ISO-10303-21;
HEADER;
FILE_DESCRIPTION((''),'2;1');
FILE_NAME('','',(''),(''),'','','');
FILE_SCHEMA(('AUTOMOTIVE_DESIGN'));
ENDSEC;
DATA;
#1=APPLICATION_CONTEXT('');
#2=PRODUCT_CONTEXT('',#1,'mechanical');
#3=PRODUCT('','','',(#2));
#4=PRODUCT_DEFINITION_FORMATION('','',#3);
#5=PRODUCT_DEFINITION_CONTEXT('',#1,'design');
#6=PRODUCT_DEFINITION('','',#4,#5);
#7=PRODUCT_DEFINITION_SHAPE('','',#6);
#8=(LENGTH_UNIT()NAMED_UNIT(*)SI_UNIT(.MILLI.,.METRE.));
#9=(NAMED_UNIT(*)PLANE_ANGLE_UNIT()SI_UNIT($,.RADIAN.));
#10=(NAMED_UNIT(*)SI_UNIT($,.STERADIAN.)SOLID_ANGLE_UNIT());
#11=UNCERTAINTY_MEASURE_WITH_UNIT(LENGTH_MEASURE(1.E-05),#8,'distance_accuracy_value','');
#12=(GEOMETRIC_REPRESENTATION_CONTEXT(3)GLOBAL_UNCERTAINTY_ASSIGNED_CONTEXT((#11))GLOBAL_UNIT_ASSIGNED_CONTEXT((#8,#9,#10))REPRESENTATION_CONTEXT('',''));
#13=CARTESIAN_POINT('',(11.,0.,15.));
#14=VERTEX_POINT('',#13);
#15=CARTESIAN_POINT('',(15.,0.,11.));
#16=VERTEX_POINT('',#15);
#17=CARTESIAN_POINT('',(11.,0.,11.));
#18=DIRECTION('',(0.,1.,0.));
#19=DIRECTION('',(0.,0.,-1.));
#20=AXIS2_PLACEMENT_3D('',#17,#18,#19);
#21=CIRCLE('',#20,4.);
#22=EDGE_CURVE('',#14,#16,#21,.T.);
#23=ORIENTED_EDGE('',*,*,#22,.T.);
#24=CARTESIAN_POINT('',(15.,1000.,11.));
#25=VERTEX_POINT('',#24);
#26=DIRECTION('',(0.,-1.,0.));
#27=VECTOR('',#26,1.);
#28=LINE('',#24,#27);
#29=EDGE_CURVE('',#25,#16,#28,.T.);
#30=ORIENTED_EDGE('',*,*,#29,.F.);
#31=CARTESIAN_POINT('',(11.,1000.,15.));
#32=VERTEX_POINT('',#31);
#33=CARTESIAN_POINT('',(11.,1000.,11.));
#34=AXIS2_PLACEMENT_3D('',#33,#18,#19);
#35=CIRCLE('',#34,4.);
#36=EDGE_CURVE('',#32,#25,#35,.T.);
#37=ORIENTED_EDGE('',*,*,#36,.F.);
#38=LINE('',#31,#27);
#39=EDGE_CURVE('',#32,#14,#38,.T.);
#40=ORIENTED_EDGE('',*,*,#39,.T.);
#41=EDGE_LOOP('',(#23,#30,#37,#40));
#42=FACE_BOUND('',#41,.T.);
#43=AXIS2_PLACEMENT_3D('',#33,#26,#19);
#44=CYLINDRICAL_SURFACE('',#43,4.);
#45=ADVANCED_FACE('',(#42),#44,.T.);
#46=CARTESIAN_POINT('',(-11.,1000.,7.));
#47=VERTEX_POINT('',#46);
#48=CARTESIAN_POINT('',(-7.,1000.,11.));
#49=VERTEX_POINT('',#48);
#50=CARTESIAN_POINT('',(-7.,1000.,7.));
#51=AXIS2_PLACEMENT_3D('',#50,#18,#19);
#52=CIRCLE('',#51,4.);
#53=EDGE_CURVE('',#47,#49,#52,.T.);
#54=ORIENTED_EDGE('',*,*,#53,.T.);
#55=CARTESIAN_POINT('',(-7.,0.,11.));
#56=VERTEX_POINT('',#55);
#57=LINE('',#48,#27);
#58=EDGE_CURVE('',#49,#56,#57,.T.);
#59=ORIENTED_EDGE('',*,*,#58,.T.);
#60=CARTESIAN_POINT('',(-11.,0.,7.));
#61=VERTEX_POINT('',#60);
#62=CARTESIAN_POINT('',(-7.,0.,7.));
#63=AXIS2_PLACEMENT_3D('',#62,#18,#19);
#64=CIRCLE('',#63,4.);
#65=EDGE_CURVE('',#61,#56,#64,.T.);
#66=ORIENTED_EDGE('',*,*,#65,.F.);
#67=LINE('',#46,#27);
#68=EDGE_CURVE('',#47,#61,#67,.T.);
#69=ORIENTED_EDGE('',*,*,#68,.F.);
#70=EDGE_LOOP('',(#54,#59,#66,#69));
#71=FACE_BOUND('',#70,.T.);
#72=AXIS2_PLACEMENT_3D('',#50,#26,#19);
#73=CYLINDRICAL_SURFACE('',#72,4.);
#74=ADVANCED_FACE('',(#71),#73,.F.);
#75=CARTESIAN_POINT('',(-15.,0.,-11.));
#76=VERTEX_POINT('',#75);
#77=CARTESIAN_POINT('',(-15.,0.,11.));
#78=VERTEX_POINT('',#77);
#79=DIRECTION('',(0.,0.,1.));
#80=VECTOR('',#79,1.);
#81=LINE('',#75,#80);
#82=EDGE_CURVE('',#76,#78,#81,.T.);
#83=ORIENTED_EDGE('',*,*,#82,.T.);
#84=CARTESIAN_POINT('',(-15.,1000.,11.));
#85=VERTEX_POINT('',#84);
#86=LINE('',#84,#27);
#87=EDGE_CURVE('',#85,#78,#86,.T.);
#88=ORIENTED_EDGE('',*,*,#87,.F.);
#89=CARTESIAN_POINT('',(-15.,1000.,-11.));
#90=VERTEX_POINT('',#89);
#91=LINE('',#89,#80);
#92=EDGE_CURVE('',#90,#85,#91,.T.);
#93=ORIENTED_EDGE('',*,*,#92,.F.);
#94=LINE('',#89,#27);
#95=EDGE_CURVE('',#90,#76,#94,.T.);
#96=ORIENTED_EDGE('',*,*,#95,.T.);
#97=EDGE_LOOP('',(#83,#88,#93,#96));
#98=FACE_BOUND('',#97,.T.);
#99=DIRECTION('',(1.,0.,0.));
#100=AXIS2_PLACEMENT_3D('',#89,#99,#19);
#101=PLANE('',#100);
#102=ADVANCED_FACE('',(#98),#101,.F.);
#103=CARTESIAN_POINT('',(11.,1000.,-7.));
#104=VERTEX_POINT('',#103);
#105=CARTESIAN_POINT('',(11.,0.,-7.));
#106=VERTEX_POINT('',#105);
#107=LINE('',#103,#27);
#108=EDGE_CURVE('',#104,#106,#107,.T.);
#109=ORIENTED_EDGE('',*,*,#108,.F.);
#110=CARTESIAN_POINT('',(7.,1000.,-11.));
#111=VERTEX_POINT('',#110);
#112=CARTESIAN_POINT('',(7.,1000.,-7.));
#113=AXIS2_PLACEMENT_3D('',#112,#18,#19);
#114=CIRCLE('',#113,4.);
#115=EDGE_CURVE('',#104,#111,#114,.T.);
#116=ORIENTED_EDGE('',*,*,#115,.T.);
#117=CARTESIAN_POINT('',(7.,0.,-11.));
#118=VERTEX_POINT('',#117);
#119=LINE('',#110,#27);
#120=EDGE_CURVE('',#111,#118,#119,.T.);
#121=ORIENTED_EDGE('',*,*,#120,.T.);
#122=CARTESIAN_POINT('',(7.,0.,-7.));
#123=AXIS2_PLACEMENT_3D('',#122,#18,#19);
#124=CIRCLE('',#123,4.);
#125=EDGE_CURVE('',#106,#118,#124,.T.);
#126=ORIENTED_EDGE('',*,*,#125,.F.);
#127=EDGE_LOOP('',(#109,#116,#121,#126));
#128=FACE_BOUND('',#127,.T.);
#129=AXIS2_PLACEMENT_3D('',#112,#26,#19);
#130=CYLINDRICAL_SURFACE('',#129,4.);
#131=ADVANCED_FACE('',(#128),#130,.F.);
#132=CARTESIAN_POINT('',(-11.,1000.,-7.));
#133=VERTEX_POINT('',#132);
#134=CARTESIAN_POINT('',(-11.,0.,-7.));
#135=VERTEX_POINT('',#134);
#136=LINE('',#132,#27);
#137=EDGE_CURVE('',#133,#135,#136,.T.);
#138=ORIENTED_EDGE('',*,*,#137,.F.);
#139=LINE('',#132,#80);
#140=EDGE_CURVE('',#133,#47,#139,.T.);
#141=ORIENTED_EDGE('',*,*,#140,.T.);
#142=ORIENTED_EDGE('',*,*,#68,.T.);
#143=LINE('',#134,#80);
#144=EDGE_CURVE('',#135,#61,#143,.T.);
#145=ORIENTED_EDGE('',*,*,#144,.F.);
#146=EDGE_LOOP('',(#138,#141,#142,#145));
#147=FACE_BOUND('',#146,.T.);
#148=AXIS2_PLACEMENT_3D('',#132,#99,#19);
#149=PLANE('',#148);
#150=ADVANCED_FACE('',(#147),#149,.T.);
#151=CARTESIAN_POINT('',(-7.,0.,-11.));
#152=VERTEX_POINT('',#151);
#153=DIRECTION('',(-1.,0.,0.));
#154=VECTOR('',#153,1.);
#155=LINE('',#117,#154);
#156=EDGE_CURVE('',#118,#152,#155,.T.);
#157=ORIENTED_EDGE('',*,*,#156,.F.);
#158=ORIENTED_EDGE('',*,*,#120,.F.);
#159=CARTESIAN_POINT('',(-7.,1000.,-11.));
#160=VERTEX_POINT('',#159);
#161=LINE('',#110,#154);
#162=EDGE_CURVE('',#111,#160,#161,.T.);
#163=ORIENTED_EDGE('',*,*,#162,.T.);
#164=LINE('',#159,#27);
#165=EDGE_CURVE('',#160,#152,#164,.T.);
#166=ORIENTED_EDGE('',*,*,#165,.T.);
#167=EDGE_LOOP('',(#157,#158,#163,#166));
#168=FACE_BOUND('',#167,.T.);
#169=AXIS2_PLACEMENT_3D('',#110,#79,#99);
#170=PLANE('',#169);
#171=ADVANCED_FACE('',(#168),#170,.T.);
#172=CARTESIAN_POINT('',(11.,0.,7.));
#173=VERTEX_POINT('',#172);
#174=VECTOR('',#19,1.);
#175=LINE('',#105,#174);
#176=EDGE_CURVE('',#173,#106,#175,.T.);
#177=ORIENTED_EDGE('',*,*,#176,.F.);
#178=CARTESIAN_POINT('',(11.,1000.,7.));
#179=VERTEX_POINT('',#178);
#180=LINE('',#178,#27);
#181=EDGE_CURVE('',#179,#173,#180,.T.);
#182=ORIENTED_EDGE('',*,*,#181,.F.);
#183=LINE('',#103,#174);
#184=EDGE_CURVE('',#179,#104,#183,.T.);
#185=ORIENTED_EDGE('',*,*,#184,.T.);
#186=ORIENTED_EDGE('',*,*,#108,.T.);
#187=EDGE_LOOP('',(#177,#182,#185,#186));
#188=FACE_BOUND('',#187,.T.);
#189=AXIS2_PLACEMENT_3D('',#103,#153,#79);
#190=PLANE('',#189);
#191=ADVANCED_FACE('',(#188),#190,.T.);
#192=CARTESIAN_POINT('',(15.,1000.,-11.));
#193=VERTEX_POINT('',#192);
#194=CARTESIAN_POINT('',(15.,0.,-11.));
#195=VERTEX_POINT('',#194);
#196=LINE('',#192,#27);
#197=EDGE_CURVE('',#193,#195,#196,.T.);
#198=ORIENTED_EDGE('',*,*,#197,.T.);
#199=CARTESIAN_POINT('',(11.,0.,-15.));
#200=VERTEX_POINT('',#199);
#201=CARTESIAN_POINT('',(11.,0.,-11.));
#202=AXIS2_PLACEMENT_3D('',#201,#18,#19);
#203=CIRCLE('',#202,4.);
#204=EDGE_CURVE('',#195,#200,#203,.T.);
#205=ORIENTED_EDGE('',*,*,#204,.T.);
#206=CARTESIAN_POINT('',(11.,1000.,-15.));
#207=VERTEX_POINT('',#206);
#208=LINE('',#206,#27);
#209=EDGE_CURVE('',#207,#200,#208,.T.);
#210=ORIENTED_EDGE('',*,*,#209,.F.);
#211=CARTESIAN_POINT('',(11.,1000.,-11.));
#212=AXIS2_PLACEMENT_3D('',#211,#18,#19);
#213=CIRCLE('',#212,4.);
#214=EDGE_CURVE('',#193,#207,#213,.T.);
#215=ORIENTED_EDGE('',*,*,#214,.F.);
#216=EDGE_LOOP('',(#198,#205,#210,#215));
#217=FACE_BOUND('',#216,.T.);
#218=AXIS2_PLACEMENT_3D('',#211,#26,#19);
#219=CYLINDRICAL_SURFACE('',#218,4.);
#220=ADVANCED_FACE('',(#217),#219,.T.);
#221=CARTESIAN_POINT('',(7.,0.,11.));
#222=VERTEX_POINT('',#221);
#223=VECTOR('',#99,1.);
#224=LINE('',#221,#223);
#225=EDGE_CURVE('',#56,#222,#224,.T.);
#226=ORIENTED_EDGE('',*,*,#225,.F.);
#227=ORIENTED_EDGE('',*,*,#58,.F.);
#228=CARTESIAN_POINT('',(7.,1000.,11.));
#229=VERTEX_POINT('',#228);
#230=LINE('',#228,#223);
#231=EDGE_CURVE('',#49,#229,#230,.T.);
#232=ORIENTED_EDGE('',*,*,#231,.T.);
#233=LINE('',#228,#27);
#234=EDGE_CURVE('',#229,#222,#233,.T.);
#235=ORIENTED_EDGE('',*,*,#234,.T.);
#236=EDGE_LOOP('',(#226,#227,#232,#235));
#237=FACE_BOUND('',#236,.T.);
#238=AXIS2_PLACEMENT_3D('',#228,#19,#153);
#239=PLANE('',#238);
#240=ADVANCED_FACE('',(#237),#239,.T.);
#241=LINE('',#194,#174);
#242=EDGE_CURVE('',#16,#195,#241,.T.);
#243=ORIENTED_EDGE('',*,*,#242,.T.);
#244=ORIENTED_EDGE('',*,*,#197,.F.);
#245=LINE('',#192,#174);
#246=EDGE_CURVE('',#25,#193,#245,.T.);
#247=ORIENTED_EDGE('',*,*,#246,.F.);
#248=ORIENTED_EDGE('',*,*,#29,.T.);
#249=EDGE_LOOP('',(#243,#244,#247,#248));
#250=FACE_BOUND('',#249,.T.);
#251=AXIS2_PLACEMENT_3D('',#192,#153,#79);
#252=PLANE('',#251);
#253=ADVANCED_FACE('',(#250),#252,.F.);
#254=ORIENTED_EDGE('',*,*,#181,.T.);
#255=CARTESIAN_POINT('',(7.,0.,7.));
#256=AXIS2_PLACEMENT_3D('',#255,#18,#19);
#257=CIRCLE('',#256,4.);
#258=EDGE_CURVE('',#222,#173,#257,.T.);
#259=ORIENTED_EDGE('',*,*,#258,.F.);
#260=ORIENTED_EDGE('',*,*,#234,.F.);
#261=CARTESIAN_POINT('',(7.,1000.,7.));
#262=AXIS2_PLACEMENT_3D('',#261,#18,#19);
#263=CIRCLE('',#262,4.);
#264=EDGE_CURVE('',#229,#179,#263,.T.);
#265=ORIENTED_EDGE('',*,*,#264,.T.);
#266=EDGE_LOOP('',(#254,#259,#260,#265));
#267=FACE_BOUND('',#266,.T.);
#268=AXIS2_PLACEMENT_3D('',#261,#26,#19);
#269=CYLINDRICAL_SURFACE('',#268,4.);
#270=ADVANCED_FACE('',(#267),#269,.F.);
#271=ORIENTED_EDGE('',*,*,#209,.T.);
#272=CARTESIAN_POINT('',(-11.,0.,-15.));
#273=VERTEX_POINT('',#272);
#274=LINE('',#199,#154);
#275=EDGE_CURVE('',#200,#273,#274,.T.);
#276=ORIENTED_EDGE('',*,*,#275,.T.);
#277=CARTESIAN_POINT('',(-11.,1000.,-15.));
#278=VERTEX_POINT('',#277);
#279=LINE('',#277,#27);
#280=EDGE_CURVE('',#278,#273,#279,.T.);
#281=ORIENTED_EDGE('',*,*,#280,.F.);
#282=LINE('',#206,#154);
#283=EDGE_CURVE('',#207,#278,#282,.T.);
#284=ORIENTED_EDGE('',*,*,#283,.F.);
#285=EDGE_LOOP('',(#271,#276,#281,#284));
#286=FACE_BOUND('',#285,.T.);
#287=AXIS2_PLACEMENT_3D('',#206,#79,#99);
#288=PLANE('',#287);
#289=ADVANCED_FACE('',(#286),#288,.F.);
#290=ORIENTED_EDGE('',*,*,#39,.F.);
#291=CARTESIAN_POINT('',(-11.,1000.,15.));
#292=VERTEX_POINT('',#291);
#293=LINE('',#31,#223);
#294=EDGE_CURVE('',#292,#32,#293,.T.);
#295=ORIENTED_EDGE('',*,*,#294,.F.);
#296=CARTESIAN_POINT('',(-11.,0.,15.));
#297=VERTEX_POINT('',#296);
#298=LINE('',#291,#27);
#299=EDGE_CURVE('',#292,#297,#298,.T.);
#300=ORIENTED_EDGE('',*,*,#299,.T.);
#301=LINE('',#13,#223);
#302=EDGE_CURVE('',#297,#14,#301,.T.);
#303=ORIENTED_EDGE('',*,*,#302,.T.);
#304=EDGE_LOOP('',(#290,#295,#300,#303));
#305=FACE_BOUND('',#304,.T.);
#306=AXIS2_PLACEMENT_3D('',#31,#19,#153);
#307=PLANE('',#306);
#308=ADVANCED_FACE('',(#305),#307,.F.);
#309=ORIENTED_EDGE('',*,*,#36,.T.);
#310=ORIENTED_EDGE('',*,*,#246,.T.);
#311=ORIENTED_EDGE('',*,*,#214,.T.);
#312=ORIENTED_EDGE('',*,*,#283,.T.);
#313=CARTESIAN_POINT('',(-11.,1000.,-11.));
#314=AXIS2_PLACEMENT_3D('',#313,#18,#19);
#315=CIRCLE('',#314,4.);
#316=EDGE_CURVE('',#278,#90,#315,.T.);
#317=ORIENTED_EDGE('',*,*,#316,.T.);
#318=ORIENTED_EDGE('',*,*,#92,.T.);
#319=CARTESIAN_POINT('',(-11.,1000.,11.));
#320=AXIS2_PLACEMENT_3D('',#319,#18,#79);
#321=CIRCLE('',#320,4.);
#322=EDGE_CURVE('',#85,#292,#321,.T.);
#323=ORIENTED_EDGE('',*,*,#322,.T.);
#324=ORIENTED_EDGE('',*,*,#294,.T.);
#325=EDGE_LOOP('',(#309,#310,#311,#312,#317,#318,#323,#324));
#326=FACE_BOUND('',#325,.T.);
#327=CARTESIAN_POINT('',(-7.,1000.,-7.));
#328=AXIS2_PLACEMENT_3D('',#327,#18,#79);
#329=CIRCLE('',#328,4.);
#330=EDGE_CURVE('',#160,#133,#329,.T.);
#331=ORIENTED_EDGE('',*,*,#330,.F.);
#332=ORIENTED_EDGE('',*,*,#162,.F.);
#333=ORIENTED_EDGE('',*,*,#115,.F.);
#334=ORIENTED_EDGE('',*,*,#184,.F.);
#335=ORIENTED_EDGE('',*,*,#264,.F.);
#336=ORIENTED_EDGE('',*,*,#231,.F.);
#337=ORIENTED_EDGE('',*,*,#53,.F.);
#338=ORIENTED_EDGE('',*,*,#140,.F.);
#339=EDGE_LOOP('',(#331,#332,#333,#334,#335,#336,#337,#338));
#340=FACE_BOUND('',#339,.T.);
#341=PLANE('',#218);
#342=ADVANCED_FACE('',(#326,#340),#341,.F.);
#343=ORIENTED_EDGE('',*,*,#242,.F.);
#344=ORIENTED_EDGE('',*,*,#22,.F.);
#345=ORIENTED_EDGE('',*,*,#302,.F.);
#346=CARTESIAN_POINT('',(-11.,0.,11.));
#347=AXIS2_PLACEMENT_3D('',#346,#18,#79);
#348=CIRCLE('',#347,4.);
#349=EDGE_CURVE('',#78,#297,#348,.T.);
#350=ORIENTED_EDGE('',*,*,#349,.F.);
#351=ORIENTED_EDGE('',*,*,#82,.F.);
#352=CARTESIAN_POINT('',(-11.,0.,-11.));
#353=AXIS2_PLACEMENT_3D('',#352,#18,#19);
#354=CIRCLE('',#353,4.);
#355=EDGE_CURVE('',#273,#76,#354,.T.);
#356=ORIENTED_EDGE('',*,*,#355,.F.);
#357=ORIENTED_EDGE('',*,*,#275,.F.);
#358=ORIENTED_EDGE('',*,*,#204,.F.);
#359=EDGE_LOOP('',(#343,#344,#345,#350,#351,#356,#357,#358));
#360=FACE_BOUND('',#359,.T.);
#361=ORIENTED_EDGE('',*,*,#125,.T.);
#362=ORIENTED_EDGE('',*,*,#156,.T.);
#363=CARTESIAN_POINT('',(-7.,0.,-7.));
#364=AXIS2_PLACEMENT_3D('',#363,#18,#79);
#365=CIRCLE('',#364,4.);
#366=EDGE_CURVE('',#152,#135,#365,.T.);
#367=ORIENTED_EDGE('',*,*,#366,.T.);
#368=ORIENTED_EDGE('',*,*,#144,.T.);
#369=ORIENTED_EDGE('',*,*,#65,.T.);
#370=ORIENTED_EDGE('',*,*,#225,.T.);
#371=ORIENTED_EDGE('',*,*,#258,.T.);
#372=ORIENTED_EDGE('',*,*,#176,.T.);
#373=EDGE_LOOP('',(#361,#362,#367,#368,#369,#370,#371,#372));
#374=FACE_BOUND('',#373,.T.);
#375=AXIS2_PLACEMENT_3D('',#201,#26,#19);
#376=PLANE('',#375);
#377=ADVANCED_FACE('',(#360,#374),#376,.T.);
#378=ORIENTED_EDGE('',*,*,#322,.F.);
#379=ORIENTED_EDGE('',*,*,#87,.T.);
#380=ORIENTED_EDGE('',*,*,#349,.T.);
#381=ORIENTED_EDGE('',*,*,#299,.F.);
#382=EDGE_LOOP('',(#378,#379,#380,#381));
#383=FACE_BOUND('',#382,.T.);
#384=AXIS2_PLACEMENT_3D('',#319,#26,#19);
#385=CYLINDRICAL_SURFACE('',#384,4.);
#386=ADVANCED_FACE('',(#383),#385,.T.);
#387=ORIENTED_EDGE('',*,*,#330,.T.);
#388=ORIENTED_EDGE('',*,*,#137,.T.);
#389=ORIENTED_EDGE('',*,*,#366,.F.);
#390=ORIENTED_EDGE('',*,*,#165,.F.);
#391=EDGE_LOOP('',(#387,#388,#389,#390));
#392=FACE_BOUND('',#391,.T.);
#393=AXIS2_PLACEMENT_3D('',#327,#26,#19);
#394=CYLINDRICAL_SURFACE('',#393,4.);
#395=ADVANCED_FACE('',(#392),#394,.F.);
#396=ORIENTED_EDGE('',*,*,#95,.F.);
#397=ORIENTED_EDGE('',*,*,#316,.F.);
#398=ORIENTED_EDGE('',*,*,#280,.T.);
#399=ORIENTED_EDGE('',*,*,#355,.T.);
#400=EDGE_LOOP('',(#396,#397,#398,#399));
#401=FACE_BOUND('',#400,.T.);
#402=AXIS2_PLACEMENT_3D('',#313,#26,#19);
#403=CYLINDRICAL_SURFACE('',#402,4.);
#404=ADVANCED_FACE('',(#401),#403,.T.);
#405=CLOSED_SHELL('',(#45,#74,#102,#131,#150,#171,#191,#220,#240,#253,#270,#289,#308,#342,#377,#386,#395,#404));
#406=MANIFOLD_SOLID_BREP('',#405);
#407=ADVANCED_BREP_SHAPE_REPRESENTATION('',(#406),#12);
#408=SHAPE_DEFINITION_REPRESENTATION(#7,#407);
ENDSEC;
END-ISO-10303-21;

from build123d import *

# Parameters (mm, degrees)
BOSS_EXTRUDE1_DEPTH = 1000


with BuildPart() as part:
    # Sketch1 → Boss-Extrude1 (new body)
    with BuildSketch(Plane(origin=(0, 0, 0), x_dir=(1, 0, 0), z_dir=(0, 1, 0))):
        with BuildLine():
            Line((11, 15), (-11, 15))
            ThreePointArc((-11, 15), (-13.828427125, 13.828427125), (-15, 11))
            Line((-15, 11), (-15, -11))
            ThreePointArc((-15, -11), (-13.828427125, -13.828427125), (-11, -15))
            Line((-11, -15), (11, -15))
            ThreePointArc((11, -15), (13.828427125, -13.828427125), (15, -11))
            Line((15, -11), (15, 11))
            ThreePointArc((15, 11), (13.828427125, 13.828427125), (11, 15))
        make_face()
        with BuildLine():
            Line((7, 11), (-7, 11))
            ThreePointArc((-7, 11), (-9.828427125, 9.828427125), (-11, 7))
            Line((-11, 7), (-11, -7))
            ThreePointArc((-11, -7), (-9.828427125, -9.828427125), (-7, -11))
            Line((-7, -11), (7, -11))
            ThreePointArc((7, -11), (9.828427125, -9.828427125), (11, -7))
            Line((11, -7), (11, 7))
            ThreePointArc((11, 7), (9.828427125, 9.828427125), (7, 11))
        make_face(mode=Mode.SUBTRACT)
    extrude(amount=BOSS_EXTRUDE1_DEPTH)


solid = part.part
